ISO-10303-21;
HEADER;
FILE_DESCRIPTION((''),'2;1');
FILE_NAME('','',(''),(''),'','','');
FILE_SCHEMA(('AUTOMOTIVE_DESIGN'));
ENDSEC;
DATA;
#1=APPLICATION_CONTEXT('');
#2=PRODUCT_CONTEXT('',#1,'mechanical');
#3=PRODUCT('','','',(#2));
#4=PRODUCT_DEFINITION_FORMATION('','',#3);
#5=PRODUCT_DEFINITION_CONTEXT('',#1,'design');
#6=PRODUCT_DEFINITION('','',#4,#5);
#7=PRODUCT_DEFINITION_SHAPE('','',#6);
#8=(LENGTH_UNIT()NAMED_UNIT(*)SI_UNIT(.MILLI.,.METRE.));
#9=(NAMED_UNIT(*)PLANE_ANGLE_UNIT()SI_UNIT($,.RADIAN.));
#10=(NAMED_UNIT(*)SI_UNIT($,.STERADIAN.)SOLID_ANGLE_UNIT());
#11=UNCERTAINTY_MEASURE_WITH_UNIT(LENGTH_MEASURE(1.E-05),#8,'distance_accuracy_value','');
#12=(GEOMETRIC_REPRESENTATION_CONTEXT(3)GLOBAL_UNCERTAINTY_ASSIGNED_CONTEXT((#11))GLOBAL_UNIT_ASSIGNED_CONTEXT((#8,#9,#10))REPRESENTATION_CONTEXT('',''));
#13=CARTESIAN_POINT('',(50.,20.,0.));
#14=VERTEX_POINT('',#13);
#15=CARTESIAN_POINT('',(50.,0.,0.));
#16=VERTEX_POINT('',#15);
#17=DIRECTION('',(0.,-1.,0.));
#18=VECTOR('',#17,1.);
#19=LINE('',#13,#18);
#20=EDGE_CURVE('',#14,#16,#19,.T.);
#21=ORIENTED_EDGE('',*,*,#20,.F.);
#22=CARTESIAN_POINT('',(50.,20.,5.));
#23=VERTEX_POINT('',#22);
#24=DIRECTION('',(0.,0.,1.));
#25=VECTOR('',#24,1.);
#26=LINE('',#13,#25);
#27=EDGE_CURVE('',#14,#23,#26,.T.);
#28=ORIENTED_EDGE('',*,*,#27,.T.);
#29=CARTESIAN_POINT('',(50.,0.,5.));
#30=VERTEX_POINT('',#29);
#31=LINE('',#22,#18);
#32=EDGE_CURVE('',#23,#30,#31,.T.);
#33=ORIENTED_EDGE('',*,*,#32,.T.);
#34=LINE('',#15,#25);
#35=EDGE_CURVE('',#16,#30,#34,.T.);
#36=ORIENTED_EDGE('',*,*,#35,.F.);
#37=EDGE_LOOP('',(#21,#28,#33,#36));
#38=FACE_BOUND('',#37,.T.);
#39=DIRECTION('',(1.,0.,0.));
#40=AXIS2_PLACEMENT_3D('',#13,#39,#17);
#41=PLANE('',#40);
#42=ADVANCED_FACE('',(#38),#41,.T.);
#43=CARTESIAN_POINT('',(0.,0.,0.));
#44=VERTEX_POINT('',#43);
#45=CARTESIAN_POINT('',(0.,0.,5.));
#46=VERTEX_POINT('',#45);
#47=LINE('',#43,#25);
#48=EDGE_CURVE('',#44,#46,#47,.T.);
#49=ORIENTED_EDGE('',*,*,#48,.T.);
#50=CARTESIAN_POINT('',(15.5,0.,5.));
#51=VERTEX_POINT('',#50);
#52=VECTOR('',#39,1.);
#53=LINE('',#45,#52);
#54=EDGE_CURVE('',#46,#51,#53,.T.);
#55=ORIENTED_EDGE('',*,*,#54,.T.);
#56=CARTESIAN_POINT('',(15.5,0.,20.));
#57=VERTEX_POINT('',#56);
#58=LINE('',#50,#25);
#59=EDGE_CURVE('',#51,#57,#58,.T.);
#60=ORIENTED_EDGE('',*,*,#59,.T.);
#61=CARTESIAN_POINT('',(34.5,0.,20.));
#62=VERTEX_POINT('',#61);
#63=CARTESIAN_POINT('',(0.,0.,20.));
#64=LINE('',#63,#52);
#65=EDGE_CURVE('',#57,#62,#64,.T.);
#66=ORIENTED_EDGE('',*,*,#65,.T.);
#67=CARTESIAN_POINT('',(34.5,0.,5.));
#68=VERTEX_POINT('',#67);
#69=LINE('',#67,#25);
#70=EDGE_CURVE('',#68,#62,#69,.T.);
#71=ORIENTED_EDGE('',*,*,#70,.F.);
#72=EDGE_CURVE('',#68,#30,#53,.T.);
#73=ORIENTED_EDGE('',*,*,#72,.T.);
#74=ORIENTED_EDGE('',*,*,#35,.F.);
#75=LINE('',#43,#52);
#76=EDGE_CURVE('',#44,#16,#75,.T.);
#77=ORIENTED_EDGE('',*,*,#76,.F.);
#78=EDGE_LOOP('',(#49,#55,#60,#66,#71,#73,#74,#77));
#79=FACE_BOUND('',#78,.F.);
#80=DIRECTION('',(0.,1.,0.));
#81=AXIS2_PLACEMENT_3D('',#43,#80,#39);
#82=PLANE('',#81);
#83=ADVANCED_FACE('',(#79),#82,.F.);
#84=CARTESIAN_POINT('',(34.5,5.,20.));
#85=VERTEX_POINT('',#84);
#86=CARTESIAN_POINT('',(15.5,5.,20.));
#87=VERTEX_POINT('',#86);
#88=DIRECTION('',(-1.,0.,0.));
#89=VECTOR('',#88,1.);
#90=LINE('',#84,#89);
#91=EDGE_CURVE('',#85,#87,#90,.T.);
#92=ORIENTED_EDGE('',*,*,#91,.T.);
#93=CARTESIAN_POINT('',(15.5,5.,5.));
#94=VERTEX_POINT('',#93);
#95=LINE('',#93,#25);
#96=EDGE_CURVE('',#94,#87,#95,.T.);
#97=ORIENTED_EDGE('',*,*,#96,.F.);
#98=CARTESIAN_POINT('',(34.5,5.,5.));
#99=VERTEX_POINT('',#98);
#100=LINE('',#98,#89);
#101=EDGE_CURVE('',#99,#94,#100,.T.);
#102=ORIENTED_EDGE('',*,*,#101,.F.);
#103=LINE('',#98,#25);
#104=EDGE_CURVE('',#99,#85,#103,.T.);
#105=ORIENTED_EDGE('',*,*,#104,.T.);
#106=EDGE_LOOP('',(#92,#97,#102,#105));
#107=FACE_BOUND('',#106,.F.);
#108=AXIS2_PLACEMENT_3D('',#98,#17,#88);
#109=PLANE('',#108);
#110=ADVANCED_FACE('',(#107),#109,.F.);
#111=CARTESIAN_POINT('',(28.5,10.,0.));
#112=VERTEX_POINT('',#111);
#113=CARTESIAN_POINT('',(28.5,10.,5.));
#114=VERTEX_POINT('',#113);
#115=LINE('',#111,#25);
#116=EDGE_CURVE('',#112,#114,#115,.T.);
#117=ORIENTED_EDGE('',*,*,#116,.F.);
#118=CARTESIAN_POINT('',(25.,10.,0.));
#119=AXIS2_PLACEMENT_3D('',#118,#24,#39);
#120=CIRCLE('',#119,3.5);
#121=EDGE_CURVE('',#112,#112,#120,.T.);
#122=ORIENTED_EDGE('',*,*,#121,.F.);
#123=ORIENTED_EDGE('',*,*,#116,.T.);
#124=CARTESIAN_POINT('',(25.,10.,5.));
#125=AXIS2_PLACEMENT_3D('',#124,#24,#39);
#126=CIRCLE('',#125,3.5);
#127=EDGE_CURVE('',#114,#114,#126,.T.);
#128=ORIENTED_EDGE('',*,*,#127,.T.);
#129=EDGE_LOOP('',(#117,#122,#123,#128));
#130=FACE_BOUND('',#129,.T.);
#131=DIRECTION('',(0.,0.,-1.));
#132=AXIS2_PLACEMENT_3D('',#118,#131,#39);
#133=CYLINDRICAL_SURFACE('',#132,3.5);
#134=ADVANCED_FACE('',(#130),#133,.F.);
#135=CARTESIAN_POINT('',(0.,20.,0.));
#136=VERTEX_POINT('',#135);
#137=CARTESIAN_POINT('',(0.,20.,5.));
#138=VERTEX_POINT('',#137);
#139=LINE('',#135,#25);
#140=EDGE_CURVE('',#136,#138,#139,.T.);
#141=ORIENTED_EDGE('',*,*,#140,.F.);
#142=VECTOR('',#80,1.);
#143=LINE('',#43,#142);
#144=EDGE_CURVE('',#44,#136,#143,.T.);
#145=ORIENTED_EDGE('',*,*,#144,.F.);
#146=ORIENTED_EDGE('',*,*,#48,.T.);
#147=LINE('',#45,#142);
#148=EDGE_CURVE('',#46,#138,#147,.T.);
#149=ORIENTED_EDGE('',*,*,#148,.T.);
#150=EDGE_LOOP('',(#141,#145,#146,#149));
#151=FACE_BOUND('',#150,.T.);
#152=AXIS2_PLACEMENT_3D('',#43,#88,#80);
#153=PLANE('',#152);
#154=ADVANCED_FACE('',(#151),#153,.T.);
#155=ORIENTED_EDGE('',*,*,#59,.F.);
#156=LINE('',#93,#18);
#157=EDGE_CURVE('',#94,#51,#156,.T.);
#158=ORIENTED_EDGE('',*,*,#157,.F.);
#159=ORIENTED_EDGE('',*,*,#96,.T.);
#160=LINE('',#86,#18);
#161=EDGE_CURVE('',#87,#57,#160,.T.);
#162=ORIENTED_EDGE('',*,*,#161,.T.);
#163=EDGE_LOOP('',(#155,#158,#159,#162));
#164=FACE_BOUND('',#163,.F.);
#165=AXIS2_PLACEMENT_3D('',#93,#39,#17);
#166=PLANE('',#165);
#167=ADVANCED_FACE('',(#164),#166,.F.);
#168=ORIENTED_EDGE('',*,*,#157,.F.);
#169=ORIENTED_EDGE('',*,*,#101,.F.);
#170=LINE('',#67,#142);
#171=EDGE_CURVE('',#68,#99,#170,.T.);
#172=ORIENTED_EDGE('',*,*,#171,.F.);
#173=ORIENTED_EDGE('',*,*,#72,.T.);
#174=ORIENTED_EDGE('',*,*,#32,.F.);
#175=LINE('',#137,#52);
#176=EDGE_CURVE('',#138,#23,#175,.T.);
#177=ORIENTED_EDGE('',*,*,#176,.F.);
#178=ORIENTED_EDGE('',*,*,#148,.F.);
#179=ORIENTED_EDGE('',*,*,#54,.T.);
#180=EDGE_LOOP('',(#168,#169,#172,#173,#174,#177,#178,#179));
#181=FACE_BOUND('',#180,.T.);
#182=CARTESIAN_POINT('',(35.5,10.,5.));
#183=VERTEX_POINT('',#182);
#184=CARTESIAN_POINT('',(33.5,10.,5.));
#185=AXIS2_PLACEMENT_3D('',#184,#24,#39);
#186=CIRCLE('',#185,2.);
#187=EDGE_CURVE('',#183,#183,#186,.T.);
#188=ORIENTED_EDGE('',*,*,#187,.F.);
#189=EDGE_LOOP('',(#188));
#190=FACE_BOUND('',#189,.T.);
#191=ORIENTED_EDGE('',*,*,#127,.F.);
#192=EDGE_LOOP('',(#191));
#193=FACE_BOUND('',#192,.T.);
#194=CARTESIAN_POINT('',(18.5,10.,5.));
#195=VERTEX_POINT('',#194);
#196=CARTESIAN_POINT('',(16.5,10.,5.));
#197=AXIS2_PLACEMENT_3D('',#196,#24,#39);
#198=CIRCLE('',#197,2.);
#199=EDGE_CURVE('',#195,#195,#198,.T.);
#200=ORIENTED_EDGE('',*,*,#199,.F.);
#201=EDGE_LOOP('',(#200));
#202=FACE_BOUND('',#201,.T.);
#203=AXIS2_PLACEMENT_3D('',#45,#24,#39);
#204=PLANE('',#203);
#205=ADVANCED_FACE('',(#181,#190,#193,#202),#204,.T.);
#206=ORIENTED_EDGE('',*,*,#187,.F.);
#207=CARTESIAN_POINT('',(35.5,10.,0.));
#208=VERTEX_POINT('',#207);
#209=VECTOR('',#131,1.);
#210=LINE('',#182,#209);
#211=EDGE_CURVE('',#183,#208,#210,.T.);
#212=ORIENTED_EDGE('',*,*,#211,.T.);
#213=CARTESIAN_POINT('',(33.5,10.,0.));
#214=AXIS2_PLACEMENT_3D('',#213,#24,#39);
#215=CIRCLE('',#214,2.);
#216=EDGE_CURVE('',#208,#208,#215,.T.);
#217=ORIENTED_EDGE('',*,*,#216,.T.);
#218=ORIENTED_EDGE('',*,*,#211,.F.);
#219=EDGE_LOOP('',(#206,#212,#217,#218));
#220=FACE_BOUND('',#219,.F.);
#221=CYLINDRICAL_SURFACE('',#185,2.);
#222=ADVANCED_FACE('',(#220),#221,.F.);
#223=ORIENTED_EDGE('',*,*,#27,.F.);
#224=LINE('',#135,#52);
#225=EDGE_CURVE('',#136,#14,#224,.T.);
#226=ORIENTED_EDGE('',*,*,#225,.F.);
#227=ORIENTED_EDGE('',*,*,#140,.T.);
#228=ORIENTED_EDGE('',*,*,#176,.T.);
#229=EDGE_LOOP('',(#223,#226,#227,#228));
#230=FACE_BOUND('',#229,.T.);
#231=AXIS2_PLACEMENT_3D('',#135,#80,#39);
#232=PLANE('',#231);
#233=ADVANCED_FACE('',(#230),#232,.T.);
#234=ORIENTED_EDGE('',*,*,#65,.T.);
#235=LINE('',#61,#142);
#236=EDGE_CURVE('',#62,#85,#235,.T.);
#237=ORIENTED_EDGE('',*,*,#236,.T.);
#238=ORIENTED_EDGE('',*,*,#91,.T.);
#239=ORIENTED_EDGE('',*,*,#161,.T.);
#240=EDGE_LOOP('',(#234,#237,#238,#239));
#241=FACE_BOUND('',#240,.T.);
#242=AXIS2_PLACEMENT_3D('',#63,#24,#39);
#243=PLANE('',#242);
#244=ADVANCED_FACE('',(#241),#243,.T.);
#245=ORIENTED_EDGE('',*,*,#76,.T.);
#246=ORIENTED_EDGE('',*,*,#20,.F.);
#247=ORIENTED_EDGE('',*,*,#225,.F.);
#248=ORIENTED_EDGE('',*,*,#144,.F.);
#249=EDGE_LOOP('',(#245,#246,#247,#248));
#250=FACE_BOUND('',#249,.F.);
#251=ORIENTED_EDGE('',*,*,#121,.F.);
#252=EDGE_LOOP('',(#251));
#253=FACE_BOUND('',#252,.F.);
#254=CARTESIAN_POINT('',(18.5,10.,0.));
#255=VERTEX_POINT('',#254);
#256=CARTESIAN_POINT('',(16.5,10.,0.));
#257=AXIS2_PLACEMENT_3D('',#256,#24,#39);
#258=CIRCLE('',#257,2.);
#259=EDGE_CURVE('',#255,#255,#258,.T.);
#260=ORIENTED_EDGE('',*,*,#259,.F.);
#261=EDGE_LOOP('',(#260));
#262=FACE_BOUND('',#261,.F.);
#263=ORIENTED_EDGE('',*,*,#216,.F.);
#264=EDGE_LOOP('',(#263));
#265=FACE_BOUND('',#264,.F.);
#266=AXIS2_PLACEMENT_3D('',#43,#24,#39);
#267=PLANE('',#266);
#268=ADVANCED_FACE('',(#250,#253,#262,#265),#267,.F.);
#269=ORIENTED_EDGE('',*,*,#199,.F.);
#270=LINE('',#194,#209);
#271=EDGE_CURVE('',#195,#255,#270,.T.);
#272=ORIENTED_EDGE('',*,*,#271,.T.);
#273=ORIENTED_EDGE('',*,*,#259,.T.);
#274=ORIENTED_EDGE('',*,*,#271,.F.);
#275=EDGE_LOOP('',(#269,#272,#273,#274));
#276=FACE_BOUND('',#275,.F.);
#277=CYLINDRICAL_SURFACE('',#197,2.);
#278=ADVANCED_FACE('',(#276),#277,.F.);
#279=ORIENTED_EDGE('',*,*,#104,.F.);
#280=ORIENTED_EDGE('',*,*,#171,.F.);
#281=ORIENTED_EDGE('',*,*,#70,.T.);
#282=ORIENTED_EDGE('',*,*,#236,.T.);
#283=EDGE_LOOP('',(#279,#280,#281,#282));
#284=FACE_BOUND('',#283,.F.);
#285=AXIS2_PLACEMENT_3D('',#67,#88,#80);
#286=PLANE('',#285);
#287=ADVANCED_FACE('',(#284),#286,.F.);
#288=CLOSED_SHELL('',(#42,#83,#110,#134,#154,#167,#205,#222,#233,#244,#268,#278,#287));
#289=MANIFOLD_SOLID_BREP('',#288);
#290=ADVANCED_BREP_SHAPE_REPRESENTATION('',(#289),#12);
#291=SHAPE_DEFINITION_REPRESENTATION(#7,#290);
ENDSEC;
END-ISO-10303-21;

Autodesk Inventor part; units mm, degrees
ref_plane "YZ Plane" through (0, 0, 0) normal (1, 0, 0) x (0, 1, 0)
ref_plane "XZ Plane" through (0, 0, 0) normal (0, 1, 0) x (-1, 0, 0)
ref_plane "XY Plane" through (0, 0, 0) normal (0, 0, 1) x (1, 0, 0)
sketch "Sketch1" plane through (0, 0, 0) normal (0, 0, 1) x (1, 0, 0)
  line L0 (0, 0) -> (50, 0)
  circle A0 centre (25, 10) radius 3.5
  line L1 (0, 0) -> (0, 20)
  line L2 (0, 20) -> (50, 20)
  line L3 (50, 20) -> (50, 0)
  point P0 (25, 0)
  dimension "d0" = 50
  dimension "d2" = 7
  dimension "d3" = 10
  dimension "d4" = 20
extrude "Extrusion1" add sketch "Sketch1" along normal blind 5
sketch "Sketch2" plane through (0, 0, 5) normal (0, 0, 1) x (1, 0, 0)
  line L0 (0, 0) -> (50, 0) projected
  line L1 (15.5, 0) -> (34.5, 0)
  line L2 (34.5, 0) -> (34.5, 5)
  line L3 (34.5, 5) -> (15.5, 5)
  line L4 (15.5, 5) -> (15.5, 0)
  point P0 (25, 0)
  dimension "d7" = 19
  dimension "d8" = 5
extrude "Extrusion2" add sketch "Sketch2" along normal blind 15
sketch "Sketch3" plane through (0, 0, 5) normal (0, 0, 1) x (1, 0, 0)
  circle A0 centre (16.5, 10) radius 2
  circle A1 centre (33.5, 10) radius 2
  line L0 (34.5, 5) -> (34.5, 0) projected
  line L1 (34.5, 0) -> (50, 0) projected
  line L2 (50, 0) -> (50, 20) projected
  line L3 (50, 20) -> (0, 20) projected
  line L4 (0, 20) -> (0, 0) projected
  line L5 (0, 0) -> (15.5, 0) projected
  line L6 (15.5, 0) -> (15.5, 5) projected
  line L7 (15.5, 5) -> (34.5, 5) projected
  circle A2 centre (25, 10) radius 3.5 projected
  line L8 (16.5, 10) -> (33.5, 10) construction
  dimension "d11" = 4
  dimension "d12" = 4
  dimension "d13" = 17
extrude "Extrusion3" cut sketch "Sketch3" against normal through all contours A0 | A1
properties part number "C005" material "Steel, Carbon"
